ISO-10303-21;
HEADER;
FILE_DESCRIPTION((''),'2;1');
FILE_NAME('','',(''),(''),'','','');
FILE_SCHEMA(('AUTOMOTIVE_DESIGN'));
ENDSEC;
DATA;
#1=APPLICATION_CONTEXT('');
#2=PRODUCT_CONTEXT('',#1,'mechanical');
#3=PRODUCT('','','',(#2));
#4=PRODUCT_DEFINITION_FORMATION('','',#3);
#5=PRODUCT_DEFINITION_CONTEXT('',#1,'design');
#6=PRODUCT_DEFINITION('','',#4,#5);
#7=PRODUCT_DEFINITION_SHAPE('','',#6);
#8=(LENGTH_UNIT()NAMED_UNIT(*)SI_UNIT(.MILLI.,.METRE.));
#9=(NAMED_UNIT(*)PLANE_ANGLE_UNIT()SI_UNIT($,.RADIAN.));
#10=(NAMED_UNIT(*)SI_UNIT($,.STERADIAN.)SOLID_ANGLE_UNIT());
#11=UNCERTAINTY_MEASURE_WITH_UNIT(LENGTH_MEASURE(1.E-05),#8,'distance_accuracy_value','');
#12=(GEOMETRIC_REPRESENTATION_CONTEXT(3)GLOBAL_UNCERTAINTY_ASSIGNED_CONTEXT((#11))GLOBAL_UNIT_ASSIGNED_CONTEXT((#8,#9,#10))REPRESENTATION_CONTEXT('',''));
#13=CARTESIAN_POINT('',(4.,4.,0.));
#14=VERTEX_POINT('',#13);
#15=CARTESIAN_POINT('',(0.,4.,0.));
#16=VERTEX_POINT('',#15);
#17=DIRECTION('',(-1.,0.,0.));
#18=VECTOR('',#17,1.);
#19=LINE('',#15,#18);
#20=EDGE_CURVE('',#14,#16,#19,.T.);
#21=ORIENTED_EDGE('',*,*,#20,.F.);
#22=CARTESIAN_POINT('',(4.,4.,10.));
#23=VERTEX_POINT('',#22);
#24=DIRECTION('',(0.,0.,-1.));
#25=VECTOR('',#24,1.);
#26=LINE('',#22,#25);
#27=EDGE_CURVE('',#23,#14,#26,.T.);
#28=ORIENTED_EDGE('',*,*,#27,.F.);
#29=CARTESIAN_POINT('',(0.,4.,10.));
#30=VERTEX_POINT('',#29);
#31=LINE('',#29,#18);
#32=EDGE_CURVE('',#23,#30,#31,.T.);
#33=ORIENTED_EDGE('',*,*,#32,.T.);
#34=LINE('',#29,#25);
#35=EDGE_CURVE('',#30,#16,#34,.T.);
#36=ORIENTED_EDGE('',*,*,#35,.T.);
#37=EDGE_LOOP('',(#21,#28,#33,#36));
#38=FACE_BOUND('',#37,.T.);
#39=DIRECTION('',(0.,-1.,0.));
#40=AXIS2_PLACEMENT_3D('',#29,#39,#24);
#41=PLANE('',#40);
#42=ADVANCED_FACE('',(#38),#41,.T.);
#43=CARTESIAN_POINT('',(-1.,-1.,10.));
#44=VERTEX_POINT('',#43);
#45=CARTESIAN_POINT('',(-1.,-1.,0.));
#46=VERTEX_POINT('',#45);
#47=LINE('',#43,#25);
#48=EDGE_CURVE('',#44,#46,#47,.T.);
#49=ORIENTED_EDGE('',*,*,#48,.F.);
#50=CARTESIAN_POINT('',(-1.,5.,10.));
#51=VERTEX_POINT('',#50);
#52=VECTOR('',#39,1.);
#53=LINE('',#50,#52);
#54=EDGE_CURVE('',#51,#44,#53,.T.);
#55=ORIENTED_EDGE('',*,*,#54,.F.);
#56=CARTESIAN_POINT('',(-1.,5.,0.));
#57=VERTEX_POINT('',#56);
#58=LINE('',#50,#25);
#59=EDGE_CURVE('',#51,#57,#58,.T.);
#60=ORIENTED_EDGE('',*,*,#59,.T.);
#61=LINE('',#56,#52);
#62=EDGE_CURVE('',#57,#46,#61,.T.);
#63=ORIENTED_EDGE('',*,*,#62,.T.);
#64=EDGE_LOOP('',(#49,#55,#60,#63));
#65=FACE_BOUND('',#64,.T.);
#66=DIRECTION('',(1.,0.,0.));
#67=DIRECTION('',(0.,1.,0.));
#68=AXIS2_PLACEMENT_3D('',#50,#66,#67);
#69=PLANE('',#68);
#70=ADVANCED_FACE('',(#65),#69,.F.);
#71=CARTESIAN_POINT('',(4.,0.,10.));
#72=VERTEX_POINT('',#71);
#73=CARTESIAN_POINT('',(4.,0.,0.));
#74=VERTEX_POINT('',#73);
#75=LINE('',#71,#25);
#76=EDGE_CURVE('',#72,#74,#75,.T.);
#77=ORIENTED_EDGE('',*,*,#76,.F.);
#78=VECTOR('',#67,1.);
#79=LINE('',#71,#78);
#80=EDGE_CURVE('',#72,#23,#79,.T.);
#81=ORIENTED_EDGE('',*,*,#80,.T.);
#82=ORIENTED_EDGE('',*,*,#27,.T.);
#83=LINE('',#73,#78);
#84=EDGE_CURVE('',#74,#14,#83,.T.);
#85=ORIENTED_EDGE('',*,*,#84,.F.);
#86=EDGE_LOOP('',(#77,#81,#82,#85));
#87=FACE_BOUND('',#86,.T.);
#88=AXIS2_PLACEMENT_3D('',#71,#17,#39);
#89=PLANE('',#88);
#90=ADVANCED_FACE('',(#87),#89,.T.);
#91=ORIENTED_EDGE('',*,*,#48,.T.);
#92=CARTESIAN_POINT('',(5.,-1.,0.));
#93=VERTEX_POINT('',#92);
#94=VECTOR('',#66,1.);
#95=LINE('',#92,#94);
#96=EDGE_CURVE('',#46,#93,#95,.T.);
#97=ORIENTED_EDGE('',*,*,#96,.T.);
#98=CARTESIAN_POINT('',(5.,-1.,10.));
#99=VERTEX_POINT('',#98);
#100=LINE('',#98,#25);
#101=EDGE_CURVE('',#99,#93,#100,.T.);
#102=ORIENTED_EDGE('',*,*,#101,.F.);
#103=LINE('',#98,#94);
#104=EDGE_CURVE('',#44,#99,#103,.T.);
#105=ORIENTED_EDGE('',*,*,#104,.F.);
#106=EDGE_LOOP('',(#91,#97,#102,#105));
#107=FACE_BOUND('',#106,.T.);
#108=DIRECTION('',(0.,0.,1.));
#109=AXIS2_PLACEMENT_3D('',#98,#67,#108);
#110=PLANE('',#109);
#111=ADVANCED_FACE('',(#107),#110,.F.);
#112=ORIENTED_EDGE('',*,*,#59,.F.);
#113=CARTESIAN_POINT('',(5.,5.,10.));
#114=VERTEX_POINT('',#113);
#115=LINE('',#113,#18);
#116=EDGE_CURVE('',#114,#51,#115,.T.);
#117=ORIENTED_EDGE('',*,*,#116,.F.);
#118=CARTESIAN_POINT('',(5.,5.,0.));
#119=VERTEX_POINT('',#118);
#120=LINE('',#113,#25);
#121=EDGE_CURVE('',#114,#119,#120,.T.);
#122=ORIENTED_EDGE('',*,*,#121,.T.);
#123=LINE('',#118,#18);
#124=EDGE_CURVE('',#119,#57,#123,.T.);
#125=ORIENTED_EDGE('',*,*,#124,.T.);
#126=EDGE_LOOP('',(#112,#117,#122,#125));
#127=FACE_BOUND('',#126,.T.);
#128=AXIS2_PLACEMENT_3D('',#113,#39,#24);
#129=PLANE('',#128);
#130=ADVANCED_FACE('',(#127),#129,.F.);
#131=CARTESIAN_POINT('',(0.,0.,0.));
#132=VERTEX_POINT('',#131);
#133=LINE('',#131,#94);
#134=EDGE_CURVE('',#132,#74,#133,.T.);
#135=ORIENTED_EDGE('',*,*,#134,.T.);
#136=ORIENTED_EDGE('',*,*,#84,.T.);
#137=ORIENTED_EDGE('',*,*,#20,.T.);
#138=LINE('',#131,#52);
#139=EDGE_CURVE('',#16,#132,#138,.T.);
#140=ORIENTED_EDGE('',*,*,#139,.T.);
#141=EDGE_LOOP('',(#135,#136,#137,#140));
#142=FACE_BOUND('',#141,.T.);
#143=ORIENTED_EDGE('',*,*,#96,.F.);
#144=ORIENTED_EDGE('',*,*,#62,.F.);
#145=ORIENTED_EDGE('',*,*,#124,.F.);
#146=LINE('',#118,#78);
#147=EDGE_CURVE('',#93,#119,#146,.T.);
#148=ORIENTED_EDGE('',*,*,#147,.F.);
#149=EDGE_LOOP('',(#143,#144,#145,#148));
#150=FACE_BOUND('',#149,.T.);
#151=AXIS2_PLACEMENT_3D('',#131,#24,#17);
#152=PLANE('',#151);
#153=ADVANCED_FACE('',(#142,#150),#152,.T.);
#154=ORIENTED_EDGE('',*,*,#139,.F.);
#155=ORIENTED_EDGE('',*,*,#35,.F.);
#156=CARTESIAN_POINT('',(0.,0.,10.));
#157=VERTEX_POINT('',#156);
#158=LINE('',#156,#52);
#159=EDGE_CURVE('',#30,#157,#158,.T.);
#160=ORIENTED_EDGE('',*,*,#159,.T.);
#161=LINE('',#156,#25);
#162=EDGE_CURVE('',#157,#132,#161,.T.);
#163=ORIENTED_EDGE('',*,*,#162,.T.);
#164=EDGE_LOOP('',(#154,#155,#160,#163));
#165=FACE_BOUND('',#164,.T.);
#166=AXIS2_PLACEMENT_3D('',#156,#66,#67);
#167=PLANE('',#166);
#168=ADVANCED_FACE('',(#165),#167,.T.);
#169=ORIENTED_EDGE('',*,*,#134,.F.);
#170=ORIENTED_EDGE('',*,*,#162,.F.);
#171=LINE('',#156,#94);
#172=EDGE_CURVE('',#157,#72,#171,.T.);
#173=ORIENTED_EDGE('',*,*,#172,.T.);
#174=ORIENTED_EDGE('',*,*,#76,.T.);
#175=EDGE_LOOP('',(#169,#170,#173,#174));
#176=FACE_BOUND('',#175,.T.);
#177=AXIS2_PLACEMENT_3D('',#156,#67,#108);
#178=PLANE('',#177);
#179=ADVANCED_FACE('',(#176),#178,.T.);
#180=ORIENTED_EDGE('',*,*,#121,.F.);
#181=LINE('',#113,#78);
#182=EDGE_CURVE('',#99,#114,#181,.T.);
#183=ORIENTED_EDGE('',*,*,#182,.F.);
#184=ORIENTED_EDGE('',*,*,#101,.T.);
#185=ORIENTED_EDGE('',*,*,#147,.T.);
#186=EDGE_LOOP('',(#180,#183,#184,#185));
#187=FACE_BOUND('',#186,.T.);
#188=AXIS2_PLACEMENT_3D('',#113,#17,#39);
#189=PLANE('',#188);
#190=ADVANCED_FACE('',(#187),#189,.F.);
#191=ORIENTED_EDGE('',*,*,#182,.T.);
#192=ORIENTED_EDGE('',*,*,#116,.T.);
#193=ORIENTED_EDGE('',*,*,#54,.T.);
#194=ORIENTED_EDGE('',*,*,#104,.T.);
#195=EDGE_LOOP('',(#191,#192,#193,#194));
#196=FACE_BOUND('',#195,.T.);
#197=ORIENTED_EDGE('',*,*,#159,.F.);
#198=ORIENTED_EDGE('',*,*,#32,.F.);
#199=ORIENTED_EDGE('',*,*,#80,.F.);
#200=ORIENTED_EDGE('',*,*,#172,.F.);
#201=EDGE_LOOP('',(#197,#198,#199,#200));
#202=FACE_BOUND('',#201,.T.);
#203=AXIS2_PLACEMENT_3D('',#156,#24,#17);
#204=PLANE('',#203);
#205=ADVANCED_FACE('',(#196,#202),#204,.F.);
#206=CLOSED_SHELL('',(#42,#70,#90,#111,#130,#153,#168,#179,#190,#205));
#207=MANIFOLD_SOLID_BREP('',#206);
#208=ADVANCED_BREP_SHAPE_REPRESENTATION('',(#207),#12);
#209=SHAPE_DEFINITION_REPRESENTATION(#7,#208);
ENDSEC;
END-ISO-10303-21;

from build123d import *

# Parameters (mm, degrees)
SKETCH1_W           = 6
SKETCH1_H           = 6
SKETCH1_W_2         = 4
SKETCH1_H_2         = 4
BOSS_EXTRUDE1_DEPTH = 10


with BuildPart() as part:
    # Sketch1 → Boss-Extrude1 (new body)
    with BuildSketch(Plane.XY):
        with Locations((2, 2)):
            Rectangle(SKETCH1_W, SKETCH1_H)
        with Locations((2, 2)):
            Rectangle(SKETCH1_W_2, SKETCH1_H_2, mode=Mode.SUBTRACT)
    extrude(amount=BOSS_EXTRUDE1_DEPTH)


solid = part.part
